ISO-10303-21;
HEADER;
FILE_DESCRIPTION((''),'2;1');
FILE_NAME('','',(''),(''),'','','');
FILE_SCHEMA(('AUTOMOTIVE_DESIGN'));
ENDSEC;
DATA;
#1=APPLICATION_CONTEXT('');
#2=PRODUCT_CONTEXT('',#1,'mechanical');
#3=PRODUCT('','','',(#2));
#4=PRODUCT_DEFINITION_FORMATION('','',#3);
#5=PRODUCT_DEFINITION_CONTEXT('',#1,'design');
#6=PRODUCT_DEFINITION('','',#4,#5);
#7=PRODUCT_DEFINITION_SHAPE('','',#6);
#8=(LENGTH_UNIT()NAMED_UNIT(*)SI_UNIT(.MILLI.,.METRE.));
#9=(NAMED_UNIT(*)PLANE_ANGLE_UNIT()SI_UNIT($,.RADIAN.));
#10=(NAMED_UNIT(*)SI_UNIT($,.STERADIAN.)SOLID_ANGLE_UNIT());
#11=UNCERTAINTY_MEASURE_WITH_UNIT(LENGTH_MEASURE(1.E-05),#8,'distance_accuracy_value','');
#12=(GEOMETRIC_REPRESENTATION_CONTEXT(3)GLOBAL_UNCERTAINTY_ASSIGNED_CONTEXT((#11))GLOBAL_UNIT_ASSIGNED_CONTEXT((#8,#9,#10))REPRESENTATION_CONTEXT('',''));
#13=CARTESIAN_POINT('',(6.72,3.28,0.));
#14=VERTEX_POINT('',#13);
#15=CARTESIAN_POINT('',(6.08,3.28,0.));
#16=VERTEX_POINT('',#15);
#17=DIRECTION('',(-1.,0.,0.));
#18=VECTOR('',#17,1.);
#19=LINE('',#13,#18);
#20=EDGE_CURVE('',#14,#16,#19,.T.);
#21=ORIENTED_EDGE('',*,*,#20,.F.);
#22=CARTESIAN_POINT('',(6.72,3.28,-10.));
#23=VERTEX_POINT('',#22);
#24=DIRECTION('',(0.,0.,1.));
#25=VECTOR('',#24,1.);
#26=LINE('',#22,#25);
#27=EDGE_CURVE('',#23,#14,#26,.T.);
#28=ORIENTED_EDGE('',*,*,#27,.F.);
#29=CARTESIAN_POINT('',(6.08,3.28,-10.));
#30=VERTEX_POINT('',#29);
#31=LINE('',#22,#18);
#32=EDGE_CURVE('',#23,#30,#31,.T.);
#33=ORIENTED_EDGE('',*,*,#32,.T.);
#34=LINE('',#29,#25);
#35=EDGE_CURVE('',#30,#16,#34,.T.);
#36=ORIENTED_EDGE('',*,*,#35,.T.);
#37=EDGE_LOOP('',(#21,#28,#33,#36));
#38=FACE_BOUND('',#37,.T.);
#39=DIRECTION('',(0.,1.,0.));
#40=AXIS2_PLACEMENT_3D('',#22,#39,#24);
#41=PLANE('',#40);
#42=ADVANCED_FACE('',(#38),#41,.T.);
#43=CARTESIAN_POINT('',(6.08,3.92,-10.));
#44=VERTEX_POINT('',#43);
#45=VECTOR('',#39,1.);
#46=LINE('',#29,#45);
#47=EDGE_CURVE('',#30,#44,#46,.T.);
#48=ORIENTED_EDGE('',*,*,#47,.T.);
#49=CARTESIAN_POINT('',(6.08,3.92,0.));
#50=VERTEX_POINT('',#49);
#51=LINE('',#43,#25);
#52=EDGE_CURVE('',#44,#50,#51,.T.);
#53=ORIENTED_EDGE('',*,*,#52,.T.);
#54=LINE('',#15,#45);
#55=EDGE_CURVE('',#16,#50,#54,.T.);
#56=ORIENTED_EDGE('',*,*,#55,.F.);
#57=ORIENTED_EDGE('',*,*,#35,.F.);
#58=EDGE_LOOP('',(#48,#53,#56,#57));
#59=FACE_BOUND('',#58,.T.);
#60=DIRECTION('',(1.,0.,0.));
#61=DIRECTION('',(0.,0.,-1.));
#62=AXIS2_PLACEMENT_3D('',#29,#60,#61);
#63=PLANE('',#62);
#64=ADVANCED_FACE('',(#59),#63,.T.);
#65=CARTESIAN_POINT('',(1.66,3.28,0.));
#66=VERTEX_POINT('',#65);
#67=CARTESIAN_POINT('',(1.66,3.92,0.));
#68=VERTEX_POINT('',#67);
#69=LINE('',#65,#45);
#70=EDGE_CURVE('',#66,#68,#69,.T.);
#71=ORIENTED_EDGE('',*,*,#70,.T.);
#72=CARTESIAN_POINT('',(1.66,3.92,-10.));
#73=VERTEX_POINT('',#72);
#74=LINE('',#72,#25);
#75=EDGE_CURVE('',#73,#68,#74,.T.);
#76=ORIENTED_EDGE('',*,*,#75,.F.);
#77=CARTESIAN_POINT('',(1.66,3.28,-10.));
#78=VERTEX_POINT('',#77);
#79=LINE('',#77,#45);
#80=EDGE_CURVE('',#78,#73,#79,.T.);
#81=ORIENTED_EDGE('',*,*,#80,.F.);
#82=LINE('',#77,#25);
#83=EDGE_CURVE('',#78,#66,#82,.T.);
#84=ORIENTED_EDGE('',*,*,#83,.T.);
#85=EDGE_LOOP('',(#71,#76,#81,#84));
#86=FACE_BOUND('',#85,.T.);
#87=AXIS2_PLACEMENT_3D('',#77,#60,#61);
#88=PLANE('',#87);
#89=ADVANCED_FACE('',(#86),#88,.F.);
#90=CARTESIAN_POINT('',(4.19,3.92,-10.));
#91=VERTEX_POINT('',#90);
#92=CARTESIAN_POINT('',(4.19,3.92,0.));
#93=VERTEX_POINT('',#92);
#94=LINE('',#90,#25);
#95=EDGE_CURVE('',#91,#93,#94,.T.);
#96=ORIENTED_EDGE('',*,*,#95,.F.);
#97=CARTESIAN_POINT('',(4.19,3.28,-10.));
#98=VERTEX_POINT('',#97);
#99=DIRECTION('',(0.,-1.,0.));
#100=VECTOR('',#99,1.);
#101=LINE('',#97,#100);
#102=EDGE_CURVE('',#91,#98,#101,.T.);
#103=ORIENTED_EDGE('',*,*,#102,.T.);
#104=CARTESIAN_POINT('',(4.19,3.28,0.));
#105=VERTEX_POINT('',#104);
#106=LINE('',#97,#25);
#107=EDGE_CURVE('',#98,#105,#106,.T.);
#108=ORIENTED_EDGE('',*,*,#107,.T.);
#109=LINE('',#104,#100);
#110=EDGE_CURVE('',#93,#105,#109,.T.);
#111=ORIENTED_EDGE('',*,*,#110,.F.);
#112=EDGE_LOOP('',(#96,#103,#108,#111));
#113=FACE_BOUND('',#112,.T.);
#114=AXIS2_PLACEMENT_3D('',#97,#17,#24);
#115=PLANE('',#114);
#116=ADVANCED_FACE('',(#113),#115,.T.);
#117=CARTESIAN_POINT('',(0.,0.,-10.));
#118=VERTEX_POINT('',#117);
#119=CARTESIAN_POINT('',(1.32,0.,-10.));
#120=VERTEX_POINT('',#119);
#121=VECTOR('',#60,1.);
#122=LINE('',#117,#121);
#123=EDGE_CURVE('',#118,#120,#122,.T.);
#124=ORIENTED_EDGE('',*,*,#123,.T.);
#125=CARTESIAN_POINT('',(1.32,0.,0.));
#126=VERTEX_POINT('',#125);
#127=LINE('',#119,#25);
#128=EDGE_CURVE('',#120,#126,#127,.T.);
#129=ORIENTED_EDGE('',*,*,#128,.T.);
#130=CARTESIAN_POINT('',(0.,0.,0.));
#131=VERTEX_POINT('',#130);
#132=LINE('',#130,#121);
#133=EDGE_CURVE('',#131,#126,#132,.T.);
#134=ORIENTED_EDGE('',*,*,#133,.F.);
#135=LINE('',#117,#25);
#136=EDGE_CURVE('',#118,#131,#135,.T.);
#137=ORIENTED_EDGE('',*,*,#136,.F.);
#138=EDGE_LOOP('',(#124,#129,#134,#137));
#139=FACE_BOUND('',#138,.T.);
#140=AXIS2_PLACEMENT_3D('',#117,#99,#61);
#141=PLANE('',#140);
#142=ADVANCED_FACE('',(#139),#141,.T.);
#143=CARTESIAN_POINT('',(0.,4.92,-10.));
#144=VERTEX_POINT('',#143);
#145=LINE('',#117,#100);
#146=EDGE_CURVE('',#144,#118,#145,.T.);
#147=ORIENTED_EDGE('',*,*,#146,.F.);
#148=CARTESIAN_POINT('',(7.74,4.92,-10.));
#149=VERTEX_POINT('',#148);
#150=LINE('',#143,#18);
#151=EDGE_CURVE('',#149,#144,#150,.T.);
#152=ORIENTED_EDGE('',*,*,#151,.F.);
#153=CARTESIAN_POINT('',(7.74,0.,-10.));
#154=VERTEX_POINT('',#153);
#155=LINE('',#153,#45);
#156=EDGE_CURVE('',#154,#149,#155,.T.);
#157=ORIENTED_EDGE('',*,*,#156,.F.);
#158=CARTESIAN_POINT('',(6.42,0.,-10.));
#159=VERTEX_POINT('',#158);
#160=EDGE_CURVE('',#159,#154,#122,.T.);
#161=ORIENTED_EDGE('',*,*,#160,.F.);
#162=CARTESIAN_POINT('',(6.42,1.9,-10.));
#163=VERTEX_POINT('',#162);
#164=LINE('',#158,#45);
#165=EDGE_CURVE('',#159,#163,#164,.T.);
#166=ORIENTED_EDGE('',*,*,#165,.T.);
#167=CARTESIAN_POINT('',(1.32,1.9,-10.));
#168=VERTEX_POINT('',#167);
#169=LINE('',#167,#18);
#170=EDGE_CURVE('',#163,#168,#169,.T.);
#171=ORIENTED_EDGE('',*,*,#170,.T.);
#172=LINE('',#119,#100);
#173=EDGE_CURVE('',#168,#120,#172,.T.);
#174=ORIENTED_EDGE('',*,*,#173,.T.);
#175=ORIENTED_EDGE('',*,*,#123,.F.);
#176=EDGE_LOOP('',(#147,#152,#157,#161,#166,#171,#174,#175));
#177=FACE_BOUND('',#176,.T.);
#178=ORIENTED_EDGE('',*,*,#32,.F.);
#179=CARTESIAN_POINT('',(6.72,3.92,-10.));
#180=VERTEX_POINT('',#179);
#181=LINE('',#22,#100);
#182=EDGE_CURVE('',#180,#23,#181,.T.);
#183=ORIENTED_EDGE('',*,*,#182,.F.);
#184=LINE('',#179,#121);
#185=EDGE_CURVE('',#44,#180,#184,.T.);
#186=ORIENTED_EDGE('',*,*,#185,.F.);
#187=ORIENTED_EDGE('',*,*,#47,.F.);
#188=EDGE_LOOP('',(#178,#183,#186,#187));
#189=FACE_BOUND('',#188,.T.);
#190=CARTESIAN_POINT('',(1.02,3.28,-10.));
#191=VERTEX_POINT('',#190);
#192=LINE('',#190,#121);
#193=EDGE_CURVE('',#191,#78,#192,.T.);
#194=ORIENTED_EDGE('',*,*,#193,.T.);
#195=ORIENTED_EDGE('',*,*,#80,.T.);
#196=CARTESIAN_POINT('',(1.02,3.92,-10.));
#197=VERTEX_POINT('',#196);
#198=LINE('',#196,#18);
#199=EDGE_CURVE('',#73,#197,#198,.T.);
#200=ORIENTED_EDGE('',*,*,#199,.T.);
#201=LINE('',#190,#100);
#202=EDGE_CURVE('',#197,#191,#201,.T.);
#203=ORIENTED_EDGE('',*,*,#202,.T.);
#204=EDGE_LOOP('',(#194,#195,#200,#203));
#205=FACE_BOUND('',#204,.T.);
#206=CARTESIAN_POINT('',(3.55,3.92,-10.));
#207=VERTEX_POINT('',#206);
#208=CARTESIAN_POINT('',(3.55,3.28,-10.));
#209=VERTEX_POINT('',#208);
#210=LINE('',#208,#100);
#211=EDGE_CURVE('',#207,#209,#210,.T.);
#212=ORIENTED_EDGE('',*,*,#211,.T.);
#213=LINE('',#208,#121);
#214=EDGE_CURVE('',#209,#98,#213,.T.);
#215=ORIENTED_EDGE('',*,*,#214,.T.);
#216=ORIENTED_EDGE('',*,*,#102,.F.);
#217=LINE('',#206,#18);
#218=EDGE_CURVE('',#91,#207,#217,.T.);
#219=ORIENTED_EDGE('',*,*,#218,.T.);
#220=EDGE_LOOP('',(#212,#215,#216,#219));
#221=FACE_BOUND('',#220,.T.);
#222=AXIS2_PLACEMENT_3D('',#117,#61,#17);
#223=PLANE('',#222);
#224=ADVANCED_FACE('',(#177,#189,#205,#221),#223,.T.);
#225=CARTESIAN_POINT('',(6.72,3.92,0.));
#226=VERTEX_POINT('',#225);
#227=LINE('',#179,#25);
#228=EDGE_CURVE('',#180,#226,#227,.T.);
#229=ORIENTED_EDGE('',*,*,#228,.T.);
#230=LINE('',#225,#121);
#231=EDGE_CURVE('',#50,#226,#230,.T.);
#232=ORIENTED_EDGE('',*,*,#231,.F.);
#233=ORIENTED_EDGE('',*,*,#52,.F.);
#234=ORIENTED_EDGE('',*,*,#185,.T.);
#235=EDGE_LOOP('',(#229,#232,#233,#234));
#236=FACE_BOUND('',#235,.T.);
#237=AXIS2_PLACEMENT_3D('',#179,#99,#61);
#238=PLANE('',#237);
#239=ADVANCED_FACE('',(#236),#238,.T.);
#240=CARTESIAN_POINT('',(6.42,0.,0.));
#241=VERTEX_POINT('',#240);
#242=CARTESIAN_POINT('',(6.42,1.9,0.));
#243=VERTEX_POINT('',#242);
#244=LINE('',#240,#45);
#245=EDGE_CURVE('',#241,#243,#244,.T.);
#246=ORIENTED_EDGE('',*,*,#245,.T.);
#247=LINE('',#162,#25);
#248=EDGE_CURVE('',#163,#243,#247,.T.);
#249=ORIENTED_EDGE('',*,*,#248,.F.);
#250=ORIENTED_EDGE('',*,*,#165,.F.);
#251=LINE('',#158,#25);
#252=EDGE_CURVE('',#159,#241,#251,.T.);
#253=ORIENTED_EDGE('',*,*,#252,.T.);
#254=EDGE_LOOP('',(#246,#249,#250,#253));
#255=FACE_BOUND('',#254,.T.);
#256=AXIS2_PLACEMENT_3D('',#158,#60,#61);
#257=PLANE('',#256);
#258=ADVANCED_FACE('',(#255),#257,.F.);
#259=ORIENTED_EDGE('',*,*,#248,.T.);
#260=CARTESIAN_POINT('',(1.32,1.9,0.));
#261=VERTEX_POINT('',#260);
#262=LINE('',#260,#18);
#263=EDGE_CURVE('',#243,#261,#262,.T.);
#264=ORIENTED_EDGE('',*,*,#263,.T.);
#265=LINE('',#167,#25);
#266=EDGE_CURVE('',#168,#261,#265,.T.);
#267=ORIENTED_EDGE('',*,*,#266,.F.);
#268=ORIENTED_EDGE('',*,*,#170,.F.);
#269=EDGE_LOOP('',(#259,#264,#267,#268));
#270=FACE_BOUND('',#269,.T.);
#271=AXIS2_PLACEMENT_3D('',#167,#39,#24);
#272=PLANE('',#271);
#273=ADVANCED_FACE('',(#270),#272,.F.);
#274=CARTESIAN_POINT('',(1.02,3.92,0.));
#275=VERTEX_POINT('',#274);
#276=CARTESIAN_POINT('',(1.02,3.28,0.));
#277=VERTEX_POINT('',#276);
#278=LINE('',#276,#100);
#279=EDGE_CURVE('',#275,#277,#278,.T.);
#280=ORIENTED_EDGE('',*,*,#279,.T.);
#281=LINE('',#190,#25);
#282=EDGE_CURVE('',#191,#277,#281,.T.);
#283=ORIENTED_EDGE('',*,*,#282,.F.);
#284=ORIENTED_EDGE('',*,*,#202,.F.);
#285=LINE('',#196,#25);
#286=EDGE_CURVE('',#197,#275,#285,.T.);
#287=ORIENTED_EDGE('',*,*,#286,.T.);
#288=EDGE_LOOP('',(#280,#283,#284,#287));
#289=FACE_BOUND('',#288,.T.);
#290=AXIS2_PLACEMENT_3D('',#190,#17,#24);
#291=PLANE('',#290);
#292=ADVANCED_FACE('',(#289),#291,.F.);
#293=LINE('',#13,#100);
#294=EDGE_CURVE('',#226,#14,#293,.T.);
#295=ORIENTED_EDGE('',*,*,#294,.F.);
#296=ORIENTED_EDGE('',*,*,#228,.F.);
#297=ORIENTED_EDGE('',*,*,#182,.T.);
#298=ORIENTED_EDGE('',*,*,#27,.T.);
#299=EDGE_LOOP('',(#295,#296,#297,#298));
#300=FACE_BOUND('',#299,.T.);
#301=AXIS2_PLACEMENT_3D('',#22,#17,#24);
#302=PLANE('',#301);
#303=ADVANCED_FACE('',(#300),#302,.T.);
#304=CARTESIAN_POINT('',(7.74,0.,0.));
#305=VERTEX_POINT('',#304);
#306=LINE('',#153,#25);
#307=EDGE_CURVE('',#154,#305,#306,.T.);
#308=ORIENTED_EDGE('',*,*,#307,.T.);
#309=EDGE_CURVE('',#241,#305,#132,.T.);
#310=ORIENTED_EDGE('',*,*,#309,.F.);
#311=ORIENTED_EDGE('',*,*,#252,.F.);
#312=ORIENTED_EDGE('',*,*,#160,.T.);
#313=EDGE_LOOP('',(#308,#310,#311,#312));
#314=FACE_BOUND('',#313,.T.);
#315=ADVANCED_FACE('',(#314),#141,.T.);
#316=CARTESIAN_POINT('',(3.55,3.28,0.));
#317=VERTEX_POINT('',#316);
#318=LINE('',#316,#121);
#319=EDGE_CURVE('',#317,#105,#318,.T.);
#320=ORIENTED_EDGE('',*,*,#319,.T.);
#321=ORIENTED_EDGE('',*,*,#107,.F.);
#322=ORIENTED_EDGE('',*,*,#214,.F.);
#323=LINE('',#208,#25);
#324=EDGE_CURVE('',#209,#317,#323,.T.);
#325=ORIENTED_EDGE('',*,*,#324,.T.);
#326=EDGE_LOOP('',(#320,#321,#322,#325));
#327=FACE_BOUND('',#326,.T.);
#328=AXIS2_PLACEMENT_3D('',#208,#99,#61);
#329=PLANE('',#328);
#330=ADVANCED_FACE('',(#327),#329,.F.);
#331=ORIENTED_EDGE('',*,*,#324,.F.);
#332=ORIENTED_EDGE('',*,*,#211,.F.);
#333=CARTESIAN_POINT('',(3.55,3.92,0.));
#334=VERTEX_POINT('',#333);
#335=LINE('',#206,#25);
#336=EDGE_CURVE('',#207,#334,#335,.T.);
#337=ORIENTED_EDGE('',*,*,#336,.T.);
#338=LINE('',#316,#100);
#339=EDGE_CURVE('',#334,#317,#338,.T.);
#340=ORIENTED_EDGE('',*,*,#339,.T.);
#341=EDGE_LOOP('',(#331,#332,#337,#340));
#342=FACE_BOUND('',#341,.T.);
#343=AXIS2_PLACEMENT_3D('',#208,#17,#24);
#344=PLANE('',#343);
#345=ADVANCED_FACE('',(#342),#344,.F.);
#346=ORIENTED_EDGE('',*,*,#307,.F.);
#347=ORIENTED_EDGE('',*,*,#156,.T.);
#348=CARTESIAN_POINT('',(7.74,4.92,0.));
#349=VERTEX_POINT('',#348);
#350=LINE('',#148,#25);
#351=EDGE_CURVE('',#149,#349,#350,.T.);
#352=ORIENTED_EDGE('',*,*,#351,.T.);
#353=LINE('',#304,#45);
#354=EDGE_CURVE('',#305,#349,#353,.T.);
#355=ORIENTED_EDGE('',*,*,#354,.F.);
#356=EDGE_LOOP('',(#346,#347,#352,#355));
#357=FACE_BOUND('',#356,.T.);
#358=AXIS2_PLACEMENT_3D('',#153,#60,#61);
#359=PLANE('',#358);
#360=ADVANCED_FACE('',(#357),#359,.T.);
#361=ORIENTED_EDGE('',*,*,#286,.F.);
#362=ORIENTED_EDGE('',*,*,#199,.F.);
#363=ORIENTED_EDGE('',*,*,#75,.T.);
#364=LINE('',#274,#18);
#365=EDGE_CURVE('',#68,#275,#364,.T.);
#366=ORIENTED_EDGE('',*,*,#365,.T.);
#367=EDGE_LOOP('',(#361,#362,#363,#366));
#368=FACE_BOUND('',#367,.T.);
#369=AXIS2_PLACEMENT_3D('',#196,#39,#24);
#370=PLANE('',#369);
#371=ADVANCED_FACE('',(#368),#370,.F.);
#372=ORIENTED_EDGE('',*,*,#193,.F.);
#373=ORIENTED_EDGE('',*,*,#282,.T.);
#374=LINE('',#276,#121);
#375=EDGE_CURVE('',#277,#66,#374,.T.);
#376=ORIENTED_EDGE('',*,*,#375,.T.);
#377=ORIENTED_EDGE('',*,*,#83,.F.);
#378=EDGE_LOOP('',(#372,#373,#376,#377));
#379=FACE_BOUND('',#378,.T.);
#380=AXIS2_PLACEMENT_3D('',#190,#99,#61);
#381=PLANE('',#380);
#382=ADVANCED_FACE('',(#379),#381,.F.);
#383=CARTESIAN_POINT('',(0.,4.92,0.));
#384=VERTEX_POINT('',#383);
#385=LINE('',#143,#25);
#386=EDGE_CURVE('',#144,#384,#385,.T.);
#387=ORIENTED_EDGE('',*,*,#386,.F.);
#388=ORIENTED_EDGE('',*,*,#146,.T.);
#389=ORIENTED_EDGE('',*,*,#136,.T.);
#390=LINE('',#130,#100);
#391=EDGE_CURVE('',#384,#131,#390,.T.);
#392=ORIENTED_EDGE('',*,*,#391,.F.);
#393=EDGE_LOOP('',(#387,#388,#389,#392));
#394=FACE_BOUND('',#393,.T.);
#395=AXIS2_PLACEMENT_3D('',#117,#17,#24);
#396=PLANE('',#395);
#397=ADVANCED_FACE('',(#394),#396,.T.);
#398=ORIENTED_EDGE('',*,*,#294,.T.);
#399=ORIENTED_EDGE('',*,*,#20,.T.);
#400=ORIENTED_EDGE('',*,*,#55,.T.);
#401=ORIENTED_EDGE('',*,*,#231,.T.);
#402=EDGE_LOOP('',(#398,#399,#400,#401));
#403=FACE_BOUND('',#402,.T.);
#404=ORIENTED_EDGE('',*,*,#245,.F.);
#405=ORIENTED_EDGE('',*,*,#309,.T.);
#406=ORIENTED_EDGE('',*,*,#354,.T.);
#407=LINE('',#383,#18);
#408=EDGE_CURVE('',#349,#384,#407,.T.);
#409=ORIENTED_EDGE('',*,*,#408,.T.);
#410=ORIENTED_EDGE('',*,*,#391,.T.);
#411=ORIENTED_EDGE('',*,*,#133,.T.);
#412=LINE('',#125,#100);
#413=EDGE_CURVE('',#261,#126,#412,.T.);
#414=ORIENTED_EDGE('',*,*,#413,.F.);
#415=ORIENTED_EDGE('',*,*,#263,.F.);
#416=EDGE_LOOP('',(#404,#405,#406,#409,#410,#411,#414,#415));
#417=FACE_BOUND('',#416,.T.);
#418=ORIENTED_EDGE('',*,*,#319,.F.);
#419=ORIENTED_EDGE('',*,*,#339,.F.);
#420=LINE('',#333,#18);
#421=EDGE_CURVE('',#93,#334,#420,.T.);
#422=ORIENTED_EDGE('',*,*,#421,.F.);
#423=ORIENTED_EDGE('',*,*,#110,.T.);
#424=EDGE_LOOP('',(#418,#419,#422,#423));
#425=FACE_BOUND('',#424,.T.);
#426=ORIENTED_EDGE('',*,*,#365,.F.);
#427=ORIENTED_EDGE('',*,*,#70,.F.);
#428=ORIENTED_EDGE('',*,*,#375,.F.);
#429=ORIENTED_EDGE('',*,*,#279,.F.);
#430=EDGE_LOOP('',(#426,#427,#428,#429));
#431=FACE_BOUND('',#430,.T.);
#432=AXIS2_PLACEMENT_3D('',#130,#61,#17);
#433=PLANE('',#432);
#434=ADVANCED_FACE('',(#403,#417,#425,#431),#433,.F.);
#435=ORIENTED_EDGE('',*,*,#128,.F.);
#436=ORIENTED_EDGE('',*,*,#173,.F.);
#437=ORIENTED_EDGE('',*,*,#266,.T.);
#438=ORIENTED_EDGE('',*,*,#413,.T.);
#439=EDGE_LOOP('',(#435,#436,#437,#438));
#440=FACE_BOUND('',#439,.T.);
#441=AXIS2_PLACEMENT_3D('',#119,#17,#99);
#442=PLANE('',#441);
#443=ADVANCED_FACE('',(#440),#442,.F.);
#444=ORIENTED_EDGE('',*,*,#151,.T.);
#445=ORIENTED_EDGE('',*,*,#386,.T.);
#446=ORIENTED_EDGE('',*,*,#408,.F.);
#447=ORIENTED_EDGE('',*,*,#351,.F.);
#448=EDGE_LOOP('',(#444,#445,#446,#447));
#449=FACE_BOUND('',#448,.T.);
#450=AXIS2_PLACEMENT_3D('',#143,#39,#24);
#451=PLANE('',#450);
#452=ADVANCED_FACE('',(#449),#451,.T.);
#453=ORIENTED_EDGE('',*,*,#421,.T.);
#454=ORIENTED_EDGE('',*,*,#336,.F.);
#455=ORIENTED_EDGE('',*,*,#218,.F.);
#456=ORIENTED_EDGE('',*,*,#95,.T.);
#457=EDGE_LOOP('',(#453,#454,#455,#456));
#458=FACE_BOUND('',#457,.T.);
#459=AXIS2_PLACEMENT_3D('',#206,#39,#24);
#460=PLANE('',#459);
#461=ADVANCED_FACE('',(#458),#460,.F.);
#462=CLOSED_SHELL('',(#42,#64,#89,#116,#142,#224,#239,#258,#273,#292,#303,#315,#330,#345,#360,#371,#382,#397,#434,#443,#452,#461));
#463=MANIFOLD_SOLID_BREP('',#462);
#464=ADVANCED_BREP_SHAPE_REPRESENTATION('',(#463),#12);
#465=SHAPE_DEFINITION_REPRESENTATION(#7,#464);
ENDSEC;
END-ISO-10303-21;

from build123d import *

# Parameters (mm, degrees)
SKETCH1_W           = 7.74
SKETCH1_H           = 4.92
BOSS_EXTRUDE1_DEPTH = 10
SKETCH2_W           = 5.1
SKETCH2_H           = 1.9
CUT_EXTRUDE1_DEPTH  = 11
SKETCH3_W           = 0.32
SKETCH3_H           = 0.64
SKETCH3_W_2         = 0.64
CUT_EXTRUDE2_DEPTH  = 11


with BuildPart() as part:
    # Sketch1 → Boss-Extrude1 (new body)
    with BuildSketch(Plane.XY):
        with Locations((3.87, 2.46)):
            Rectangle(SKETCH1_W, SKETCH1_H)
    extrude(amount=-BOSS_EXTRUDE1_DEPTH)

    # Sketch2 → Cut-Extrude1 (cut, through all)
    with BuildSketch(Plane.XY):
        with Locations((3.87, 0.95)):
            Rectangle(SKETCH2_W, SKETCH2_H)
    extrude(amount=-CUT_EXTRUDE1_DEPTH, mode=Mode.SUBTRACT)

    # Sketch3 → Cut-Extrude2 (cut, through all)
    with BuildSketch(Plane.XY):
        with Locations((3.71, 3.6)):
            Rectangle(SKETCH3_W, SKETCH3_H)
        with Locations((1.34, 3.6)):
            Rectangle(SKETCH3_W_2, SKETCH3_H)
    cut_extrude2 = extrude(amount=-CUT_EXTRUDE2_DEPTH, mode=Mode.SUBTRACT)

    # Mirror1: Cut-Extrude2 across plane
    add(cut_extrude2.mirror(Plane.ZY.offset(-3.87)), mode=Mode.SUBTRACT)


solid = part.part
